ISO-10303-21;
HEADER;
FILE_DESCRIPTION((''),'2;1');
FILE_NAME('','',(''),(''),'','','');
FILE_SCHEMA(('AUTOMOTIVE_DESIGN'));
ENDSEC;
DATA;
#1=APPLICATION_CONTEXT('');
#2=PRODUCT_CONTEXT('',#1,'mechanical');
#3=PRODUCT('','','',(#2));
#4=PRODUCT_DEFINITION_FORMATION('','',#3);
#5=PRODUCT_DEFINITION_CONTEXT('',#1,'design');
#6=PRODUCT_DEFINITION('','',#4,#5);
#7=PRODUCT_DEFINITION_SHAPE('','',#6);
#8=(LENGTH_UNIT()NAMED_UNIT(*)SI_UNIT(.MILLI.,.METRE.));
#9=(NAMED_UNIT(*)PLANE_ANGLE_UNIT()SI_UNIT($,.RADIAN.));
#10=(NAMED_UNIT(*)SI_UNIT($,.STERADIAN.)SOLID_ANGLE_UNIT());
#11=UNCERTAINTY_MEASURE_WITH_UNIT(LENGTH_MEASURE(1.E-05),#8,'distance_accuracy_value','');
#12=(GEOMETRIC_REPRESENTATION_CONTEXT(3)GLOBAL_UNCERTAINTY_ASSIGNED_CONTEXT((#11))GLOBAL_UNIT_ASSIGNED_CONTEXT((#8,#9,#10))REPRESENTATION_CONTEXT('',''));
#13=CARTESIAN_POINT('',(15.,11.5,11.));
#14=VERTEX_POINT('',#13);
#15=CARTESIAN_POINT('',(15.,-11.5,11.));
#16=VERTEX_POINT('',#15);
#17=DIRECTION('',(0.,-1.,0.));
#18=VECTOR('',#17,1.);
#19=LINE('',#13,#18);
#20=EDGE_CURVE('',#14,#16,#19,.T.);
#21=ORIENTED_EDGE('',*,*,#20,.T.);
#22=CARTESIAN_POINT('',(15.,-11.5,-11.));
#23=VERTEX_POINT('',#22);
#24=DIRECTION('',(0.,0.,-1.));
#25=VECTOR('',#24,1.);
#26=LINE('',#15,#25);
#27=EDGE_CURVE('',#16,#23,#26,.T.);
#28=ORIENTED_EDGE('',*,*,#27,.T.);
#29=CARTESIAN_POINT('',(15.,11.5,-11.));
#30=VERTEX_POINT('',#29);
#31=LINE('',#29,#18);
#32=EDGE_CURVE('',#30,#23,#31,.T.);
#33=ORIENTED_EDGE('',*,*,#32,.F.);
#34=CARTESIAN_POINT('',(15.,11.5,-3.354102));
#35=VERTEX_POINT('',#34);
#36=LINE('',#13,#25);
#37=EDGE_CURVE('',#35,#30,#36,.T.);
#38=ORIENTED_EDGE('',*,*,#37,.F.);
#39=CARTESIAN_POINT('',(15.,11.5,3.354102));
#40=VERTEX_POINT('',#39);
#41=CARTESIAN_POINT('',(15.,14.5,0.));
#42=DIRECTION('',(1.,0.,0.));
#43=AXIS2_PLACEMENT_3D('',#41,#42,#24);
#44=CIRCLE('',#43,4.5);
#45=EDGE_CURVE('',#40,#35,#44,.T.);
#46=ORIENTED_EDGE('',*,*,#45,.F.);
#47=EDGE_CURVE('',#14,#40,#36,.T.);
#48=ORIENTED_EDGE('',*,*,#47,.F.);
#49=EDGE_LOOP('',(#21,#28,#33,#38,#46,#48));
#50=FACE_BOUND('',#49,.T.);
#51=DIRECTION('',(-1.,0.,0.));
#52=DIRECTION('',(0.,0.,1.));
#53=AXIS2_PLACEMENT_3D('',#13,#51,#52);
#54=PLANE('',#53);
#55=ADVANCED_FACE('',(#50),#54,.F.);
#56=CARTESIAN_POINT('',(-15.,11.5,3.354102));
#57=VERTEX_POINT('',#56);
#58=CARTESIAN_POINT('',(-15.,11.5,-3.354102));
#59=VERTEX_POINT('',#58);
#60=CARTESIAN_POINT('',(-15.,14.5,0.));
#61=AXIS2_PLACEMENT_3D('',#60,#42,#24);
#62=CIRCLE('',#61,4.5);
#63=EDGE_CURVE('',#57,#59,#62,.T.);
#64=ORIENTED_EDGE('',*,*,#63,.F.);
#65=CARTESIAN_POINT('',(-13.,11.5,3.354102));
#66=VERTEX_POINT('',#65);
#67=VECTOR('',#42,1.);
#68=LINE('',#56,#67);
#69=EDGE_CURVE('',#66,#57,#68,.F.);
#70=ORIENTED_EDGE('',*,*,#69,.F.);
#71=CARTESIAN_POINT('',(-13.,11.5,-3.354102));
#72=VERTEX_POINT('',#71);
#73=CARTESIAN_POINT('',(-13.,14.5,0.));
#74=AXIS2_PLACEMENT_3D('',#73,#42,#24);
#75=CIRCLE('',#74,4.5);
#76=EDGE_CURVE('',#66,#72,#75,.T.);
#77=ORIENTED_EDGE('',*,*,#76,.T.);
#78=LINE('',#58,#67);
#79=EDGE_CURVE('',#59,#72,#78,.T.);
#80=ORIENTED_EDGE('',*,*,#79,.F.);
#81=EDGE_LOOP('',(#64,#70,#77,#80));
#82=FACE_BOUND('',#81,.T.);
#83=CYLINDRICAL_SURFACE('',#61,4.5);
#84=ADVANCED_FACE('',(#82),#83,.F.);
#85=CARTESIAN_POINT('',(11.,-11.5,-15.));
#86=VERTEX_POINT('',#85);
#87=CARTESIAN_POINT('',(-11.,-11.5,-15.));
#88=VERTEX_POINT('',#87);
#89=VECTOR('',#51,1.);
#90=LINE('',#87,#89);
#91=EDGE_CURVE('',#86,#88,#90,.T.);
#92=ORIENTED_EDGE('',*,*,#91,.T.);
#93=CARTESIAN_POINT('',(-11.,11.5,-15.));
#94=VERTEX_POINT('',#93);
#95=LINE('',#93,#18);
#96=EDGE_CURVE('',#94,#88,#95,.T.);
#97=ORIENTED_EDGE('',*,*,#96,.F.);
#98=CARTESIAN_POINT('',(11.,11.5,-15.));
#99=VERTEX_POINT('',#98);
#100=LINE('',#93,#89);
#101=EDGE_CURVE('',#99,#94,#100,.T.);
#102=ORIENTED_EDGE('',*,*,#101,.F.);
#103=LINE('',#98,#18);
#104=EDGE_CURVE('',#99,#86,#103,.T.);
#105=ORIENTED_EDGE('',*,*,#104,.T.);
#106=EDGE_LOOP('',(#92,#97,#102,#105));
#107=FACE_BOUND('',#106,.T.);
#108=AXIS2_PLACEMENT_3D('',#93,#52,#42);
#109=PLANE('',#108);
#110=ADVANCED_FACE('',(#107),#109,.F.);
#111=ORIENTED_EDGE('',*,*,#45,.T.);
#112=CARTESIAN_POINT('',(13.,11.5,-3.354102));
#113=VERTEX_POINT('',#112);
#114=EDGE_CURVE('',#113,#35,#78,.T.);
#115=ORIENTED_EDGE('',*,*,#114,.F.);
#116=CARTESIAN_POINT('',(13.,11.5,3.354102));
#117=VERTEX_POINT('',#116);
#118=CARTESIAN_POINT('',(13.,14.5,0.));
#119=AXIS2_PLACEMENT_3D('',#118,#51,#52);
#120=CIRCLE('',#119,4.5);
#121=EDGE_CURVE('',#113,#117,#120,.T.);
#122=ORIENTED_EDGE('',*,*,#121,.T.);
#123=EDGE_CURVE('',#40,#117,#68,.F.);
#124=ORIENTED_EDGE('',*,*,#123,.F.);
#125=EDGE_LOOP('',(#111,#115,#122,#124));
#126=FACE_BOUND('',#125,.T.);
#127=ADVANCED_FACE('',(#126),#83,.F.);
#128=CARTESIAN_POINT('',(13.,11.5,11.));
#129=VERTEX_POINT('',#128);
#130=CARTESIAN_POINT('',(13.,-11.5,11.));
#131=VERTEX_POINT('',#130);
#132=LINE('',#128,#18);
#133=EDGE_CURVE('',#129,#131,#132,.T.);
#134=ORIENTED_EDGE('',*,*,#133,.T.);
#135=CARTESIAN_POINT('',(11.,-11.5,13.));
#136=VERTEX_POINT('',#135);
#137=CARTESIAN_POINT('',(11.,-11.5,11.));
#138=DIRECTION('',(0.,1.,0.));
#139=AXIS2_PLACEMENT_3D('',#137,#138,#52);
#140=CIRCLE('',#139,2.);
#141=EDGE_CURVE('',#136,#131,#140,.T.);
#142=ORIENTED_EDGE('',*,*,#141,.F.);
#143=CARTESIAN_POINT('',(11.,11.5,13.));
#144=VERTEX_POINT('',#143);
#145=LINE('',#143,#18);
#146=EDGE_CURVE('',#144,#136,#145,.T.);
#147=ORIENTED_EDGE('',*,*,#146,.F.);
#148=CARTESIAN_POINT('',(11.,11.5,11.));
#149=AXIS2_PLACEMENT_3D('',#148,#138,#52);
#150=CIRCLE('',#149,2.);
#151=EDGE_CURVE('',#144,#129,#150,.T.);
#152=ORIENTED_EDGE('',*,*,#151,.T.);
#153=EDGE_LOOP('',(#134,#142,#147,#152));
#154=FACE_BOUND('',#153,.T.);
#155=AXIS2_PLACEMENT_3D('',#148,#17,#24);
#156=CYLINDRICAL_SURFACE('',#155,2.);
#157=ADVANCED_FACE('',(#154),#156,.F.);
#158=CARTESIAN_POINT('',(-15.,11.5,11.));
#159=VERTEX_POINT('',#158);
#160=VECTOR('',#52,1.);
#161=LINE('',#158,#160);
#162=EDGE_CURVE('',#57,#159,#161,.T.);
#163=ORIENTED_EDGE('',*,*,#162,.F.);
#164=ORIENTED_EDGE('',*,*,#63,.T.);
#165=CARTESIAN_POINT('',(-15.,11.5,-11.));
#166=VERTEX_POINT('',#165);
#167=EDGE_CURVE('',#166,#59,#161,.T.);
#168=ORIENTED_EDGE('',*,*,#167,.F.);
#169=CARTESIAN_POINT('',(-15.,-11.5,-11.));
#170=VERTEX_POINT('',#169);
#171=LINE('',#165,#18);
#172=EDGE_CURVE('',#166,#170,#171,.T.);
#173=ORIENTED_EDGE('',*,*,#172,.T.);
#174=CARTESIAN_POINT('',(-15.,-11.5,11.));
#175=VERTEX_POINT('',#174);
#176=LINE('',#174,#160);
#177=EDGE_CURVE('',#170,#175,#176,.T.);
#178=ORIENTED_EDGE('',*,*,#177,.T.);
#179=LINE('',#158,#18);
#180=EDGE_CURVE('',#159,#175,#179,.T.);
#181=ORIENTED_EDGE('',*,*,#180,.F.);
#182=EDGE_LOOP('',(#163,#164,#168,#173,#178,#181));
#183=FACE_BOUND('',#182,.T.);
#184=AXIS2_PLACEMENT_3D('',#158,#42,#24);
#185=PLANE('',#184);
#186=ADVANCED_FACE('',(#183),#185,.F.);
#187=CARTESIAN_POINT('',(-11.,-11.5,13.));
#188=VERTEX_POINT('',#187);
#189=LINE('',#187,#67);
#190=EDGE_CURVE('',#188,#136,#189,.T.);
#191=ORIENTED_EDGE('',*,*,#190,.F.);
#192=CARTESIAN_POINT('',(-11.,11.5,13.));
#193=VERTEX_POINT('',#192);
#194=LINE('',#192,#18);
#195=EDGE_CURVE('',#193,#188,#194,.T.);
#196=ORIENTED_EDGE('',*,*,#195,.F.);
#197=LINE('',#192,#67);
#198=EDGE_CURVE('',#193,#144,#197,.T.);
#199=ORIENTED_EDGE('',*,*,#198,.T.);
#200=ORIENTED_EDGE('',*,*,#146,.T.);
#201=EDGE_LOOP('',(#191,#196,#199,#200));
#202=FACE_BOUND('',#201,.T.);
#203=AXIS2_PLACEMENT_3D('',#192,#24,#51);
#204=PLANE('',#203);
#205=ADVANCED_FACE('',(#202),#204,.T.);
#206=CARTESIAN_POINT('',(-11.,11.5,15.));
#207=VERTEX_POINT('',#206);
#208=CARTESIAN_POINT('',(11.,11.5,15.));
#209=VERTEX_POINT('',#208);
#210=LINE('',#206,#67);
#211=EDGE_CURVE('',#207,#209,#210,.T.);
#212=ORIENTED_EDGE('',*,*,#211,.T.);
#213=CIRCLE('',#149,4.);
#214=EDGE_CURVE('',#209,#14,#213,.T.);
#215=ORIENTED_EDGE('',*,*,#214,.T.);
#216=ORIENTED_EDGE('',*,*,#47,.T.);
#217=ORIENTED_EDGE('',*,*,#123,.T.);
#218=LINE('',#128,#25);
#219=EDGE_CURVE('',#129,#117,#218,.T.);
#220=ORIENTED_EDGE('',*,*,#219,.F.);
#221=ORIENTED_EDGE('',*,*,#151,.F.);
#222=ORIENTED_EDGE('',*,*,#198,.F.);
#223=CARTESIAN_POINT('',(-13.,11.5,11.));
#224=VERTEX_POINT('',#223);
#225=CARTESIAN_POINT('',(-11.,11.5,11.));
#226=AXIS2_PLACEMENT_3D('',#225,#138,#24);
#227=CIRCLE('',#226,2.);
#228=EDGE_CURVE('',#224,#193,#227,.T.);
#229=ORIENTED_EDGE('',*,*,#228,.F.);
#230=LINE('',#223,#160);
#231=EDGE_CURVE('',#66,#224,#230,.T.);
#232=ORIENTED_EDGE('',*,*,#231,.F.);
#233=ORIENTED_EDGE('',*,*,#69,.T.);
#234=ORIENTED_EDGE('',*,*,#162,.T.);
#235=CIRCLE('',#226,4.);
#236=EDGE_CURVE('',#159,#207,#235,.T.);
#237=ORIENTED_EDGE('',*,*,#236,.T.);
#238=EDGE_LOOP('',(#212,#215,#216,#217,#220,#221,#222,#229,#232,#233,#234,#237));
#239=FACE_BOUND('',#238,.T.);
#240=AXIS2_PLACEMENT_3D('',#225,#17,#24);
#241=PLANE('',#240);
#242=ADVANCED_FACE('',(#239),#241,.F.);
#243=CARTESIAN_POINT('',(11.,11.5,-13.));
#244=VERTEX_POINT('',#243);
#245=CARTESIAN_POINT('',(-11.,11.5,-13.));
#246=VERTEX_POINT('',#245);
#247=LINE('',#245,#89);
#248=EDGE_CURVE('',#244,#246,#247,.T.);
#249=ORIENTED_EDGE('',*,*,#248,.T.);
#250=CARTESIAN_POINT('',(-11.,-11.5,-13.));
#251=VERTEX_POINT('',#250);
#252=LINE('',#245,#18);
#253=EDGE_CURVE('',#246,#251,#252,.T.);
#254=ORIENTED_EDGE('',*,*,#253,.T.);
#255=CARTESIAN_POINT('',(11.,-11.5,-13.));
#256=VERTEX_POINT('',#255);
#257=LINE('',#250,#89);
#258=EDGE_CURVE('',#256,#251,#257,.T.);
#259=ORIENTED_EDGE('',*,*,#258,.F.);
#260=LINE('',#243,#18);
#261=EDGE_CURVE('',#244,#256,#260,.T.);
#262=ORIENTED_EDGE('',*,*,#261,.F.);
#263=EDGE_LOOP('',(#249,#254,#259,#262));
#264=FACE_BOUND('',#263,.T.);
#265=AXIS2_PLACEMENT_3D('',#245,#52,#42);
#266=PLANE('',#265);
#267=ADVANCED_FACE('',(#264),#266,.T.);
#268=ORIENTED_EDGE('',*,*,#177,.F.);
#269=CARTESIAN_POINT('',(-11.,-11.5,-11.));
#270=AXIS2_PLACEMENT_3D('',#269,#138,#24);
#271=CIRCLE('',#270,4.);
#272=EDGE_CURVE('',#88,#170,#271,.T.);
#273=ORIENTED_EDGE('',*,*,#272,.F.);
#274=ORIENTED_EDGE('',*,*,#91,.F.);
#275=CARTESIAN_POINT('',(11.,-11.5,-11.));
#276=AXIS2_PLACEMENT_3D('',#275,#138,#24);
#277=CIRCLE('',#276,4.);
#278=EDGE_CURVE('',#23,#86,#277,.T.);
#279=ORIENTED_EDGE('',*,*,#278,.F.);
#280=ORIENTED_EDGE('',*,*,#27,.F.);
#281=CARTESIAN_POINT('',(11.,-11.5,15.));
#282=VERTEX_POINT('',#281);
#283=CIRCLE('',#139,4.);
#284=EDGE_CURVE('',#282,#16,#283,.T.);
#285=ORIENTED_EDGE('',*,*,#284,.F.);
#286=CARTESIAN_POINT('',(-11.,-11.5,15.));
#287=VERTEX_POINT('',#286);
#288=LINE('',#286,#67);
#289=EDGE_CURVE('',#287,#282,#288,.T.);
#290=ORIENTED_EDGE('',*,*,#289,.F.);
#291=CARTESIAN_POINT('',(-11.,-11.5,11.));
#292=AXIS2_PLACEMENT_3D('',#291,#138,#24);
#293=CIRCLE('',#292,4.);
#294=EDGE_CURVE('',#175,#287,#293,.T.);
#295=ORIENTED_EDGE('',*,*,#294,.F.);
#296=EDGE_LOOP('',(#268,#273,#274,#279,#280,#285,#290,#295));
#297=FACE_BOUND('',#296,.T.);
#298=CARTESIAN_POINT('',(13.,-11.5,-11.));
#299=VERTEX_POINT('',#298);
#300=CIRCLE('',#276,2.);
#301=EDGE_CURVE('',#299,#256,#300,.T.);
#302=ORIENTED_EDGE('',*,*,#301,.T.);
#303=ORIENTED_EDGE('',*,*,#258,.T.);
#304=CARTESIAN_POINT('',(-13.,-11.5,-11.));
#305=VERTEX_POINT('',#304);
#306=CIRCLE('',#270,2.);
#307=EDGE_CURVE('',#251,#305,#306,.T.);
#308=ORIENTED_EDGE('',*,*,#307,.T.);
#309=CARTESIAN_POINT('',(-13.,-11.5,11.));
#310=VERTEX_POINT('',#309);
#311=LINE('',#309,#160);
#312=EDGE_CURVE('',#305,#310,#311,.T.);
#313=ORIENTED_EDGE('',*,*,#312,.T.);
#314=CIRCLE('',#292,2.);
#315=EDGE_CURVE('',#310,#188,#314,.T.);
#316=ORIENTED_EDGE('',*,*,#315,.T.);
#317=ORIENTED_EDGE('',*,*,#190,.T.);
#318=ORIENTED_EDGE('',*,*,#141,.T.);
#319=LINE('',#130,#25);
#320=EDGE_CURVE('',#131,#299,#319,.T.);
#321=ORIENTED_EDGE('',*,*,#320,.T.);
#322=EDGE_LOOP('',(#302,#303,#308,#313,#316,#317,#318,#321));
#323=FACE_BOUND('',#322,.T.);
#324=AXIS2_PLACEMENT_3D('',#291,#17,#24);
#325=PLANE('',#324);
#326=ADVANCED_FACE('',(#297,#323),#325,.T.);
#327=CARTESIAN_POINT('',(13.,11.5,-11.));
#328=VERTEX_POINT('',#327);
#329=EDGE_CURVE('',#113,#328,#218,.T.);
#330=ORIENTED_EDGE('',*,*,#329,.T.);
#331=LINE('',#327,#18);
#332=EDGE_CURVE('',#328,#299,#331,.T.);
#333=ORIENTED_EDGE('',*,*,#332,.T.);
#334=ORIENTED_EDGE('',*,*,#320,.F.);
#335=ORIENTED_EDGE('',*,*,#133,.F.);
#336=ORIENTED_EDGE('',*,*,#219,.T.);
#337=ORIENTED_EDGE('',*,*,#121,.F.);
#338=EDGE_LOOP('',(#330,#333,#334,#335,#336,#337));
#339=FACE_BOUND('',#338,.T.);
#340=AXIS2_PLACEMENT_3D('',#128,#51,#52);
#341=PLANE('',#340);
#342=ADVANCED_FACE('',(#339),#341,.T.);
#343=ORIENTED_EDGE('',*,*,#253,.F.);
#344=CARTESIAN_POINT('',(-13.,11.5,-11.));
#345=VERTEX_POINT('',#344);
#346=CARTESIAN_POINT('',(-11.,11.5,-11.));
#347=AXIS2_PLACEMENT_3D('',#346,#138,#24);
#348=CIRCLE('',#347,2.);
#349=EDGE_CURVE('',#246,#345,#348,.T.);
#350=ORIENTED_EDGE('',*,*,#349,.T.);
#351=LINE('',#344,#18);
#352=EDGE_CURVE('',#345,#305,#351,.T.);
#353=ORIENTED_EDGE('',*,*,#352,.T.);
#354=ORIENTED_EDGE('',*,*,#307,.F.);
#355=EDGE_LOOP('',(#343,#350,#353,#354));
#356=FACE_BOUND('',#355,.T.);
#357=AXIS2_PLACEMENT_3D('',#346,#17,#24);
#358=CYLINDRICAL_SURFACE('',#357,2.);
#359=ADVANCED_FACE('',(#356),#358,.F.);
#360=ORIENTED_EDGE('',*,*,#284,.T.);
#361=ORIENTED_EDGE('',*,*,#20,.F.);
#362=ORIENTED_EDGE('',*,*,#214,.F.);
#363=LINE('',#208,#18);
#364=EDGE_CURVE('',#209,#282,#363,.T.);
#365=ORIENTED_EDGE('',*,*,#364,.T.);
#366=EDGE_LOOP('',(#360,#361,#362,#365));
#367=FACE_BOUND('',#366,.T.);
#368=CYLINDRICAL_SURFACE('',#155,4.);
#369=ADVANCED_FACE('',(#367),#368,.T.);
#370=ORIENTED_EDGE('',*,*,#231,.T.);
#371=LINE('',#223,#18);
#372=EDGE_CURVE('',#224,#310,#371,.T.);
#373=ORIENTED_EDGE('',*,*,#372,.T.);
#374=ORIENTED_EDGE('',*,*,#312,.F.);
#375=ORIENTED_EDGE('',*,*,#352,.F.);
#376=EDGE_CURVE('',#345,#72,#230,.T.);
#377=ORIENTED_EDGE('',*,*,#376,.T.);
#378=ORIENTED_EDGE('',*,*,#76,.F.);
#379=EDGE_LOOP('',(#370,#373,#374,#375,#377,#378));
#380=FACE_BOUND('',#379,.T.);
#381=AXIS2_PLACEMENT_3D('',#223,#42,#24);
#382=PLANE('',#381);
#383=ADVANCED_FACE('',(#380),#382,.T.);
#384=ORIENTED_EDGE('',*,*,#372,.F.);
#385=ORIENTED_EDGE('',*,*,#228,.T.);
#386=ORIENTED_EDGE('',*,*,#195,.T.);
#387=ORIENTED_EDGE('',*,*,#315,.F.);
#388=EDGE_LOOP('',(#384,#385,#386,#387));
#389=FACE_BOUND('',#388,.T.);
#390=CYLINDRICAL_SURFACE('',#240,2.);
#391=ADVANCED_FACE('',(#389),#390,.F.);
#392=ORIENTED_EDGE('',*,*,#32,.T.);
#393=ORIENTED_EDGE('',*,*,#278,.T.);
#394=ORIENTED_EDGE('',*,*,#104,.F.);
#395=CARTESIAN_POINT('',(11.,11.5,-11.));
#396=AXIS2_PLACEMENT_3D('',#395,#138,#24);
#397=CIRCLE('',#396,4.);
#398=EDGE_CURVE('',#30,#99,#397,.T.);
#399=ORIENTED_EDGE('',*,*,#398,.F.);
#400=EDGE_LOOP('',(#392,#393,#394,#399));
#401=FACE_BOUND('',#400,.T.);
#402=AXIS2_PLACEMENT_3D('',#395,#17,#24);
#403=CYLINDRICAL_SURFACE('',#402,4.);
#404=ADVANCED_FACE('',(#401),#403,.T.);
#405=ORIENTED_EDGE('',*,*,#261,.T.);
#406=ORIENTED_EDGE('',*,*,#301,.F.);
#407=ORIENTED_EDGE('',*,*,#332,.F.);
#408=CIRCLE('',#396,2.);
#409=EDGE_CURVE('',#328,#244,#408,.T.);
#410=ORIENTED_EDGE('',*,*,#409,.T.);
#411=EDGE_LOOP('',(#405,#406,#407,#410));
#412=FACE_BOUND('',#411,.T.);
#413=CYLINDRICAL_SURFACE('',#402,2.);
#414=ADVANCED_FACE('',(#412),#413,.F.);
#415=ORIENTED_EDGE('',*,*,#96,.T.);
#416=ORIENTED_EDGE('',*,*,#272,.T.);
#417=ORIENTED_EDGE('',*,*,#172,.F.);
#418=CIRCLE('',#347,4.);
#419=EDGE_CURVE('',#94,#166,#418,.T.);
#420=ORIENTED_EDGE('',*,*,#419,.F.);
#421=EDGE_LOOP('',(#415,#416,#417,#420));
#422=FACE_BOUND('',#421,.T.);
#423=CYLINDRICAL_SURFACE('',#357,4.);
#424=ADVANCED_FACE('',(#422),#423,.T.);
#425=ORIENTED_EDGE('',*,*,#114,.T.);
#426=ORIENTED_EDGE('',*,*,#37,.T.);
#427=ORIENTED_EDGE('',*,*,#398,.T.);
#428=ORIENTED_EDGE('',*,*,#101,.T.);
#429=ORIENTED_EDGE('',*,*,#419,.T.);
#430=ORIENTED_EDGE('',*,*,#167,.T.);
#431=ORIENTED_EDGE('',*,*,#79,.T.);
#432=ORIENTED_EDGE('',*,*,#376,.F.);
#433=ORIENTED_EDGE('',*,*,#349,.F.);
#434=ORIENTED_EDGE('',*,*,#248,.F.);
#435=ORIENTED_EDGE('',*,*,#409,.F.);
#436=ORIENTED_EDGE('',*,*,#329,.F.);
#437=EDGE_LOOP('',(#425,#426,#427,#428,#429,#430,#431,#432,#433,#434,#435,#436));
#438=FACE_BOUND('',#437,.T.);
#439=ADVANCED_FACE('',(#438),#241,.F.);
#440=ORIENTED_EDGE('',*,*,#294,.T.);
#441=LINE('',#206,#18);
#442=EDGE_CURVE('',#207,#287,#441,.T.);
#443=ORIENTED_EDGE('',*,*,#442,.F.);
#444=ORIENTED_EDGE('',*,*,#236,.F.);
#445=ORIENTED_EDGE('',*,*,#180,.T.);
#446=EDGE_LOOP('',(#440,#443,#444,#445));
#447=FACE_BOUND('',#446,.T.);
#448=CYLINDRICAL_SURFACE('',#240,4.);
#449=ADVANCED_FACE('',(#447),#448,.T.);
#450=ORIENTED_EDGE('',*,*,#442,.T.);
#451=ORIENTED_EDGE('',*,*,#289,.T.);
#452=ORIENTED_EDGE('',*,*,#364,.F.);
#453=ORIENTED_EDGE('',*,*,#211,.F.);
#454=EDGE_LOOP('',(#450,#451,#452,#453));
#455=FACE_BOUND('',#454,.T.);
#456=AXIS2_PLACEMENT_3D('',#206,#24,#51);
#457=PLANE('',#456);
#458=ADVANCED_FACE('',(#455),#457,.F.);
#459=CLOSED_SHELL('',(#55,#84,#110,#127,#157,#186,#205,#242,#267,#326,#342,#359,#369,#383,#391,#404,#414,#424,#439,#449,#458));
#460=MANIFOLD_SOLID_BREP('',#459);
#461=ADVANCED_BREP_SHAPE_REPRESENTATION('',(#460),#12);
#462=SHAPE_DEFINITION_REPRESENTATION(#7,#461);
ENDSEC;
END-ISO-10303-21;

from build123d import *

# Parameters (mm, degrees)
EXTRUDE_1_DEPTH          = 11.5
CUT_EXTRUDE_1_DEPTH      = 25.129857024
CUT_EXTRUDE_1_DEPTH_BACK = 25.129857024
SKETCH_2_R               = 4.5


with BuildPart() as part:
    # 草图1 → 凸台-拉伸1 (new, symmetric)
    with BuildSketch(Plane(origin=(0, 0, 0), x_dir=(1, 0, 0), z_dir=(0, 1, 0))):
        with BuildLine():
            Line((-11, -15), (11, -15))
            ThreePointArc((11, -15), (13.828427125, -13.828427125), (15, -11))
            Line((15, -11), (15, 11))
            ThreePointArc((15, 11), (13.828427125, 13.828427125), (11, 15))
            Line((11, 15), (-11, 15))
            ThreePointArc((-11, 15), (-13.828427125, 13.828427125), (-15, 11))
            Line((-15, 11), (-15, -11))
            ThreePointArc((-15, -11), (-13.828427125, -13.828427125), (-11, -15))
        make_face()
        with BuildLine():
            Line((-11, -13), (11, -13))
            ThreePointArc((11, -13), (12.414213562, -12.414213562), (13, -11))
            Line((13, -11), (13, 11))
            ThreePointArc((13, 11), (12.414213562, 12.414213562), (11, 13))
            Line((11, 13), (-11, 13))
            ThreePointArc((-11, 13), (-12.414213562, 12.414213562), (-13, 11))
            Line((-13, 11), (-13, -11))
            ThreePointArc((-13, -11), (-12.414213562, -12.414213562), (-11, -13))
        make_face(mode=Mode.SUBTRACT)
    extrude(amount=EXTRUDE_1_DEPTH, both=True)

    # 草图2 → 切除-拉伸1 (cut, two sides: drawn at the far end of the back side and taken through both)
    with BuildSketch(Plane(origin=(0, 0, 0), x_dir=(0, 0, -1), z_dir=(1, 0, 0)).offset(-CUT_EXTRUDE_1_DEPTH_BACK)):
        with Locations((0, 14.5)):
            Circle(SKETCH_2_R)
    extrude(amount=CUT_EXTRUDE_1_DEPTH + CUT_EXTRUDE_1_DEPTH_BACK, mode=Mode.SUBTRACT)


solid = part.part
